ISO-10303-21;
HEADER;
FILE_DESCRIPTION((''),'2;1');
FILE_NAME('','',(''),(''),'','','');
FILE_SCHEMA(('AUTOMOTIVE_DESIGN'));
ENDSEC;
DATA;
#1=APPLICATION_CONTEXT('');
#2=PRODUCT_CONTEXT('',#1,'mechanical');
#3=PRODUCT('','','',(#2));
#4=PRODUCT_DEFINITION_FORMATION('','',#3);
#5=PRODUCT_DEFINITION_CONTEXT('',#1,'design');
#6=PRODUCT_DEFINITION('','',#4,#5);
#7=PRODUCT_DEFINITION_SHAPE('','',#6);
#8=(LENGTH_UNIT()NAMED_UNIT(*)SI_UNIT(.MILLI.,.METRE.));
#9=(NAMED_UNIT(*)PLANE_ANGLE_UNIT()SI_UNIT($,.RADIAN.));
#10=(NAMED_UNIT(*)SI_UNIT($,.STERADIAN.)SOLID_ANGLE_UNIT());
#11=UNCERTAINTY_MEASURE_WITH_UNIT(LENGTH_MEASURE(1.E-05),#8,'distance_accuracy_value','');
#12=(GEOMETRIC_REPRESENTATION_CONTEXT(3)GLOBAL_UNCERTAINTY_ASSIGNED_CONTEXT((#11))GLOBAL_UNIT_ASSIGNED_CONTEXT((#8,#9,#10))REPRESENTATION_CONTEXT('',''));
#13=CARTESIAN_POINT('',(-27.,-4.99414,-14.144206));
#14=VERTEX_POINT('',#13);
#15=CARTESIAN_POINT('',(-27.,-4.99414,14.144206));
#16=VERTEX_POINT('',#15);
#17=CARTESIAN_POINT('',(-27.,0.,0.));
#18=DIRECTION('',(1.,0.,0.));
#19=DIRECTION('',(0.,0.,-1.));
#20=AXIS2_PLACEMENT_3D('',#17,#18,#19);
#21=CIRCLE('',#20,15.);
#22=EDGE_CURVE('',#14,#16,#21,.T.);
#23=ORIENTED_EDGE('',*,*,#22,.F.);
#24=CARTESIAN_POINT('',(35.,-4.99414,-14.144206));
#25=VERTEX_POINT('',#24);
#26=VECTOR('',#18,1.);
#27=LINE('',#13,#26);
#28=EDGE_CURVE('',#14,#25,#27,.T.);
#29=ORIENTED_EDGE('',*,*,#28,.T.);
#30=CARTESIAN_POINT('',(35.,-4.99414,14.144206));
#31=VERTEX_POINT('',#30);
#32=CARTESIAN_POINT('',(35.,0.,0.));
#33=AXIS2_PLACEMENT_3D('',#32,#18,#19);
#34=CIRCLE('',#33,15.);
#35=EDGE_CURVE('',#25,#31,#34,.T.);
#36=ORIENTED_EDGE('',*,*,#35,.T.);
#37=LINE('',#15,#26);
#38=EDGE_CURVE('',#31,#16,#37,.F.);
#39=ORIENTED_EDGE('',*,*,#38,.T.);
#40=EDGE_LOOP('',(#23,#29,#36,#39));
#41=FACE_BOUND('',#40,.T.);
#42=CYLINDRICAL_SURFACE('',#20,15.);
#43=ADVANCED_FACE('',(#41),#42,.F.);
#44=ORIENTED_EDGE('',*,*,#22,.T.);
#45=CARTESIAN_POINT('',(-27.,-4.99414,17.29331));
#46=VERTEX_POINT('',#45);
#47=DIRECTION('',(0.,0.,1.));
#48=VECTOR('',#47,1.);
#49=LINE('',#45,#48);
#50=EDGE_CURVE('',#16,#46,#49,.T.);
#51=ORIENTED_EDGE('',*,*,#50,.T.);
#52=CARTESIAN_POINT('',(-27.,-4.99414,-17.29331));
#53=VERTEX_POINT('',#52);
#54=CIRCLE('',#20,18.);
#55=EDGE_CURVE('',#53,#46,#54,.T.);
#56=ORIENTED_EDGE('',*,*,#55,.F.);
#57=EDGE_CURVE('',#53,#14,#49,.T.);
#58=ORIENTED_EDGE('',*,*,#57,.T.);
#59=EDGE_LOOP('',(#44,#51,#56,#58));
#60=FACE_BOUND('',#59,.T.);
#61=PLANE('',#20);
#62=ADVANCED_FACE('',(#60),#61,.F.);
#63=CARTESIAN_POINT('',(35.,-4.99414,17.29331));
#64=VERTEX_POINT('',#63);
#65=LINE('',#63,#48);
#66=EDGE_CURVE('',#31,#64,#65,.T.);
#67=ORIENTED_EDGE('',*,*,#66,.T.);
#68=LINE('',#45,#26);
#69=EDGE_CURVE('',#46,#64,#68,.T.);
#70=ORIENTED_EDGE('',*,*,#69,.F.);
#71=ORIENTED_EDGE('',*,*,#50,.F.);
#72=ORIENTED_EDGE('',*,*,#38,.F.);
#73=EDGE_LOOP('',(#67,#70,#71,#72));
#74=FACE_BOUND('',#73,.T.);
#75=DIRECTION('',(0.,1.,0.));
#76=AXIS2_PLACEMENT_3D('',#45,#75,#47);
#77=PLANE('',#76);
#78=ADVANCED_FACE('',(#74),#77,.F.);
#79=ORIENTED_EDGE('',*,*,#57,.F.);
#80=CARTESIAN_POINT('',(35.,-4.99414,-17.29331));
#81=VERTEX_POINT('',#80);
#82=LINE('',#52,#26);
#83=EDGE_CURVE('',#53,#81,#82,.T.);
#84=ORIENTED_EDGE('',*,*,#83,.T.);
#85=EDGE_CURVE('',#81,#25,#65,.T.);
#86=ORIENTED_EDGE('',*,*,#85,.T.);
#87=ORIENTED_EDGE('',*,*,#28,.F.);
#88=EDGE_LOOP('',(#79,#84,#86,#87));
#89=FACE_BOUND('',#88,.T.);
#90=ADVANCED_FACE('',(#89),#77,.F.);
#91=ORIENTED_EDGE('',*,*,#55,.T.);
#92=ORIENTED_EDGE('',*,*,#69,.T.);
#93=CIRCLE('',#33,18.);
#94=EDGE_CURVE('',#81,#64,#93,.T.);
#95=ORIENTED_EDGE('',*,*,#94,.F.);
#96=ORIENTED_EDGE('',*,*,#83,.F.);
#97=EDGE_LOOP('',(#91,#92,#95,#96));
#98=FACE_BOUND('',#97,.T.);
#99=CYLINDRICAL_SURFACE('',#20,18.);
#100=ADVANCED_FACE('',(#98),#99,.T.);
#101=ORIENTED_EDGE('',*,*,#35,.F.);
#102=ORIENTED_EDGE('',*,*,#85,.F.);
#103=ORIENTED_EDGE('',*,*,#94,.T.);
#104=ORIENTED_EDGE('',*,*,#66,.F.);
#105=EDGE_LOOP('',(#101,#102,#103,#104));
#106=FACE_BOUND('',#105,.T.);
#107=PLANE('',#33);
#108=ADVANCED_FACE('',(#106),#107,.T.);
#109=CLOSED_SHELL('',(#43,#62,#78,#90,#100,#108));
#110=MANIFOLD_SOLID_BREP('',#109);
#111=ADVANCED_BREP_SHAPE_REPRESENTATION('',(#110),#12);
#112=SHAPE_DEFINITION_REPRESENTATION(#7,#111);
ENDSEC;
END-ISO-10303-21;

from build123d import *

# Parameters (mm, degrees)
ESBO_O2_R                = 15
RESSALTO_EXTRUS_O1_DEPTH = 62
CASCA1_T                 = 3
CORTE_EXTRUS_O2_DEPTH    = 68.02238432


with BuildPart() as part:
    # Esboço2 → Ressalto-extrusão1 (new body)
    with BuildSketch(Plane(origin=(35, 0, 0), x_dir=(0, 0, -1), z_dir=(1, 0, 0))):
        Circle(ESBO_O2_R)
    extrude(amount=-RESSALTO_EXTRUS_O1_DEPTH)

    # Casca1
    casca1_openings = [part.faces().sort_by_distance(p)[0] for p in [
        (35, 0, 0),
        (-27, 0, 0),
    ]]
    offset(amount=CASCA1_T, openings=casca1_openings, kind=Kind.INTERSECTION)

    # Esboço3 → Corte-extrusão2 (cut, through all)
    with BuildSketch(Plane(origin=(35, 0, 0), x_dir=(0, 0, -1), z_dir=(1, 0, 0))):
        with BuildLine():
            Line((-17.2933099, -4.994139836), (17.2933099, -4.994139836))
            ThreePointArc((17.2933099, -4.994139836), (0, -18), (-17.2933099, -4.994139836))
        make_face()
    extrude(amount=-CORTE_EXTRUS_O2_DEPTH, mode=Mode.SUBTRACT)


solid = part.part
